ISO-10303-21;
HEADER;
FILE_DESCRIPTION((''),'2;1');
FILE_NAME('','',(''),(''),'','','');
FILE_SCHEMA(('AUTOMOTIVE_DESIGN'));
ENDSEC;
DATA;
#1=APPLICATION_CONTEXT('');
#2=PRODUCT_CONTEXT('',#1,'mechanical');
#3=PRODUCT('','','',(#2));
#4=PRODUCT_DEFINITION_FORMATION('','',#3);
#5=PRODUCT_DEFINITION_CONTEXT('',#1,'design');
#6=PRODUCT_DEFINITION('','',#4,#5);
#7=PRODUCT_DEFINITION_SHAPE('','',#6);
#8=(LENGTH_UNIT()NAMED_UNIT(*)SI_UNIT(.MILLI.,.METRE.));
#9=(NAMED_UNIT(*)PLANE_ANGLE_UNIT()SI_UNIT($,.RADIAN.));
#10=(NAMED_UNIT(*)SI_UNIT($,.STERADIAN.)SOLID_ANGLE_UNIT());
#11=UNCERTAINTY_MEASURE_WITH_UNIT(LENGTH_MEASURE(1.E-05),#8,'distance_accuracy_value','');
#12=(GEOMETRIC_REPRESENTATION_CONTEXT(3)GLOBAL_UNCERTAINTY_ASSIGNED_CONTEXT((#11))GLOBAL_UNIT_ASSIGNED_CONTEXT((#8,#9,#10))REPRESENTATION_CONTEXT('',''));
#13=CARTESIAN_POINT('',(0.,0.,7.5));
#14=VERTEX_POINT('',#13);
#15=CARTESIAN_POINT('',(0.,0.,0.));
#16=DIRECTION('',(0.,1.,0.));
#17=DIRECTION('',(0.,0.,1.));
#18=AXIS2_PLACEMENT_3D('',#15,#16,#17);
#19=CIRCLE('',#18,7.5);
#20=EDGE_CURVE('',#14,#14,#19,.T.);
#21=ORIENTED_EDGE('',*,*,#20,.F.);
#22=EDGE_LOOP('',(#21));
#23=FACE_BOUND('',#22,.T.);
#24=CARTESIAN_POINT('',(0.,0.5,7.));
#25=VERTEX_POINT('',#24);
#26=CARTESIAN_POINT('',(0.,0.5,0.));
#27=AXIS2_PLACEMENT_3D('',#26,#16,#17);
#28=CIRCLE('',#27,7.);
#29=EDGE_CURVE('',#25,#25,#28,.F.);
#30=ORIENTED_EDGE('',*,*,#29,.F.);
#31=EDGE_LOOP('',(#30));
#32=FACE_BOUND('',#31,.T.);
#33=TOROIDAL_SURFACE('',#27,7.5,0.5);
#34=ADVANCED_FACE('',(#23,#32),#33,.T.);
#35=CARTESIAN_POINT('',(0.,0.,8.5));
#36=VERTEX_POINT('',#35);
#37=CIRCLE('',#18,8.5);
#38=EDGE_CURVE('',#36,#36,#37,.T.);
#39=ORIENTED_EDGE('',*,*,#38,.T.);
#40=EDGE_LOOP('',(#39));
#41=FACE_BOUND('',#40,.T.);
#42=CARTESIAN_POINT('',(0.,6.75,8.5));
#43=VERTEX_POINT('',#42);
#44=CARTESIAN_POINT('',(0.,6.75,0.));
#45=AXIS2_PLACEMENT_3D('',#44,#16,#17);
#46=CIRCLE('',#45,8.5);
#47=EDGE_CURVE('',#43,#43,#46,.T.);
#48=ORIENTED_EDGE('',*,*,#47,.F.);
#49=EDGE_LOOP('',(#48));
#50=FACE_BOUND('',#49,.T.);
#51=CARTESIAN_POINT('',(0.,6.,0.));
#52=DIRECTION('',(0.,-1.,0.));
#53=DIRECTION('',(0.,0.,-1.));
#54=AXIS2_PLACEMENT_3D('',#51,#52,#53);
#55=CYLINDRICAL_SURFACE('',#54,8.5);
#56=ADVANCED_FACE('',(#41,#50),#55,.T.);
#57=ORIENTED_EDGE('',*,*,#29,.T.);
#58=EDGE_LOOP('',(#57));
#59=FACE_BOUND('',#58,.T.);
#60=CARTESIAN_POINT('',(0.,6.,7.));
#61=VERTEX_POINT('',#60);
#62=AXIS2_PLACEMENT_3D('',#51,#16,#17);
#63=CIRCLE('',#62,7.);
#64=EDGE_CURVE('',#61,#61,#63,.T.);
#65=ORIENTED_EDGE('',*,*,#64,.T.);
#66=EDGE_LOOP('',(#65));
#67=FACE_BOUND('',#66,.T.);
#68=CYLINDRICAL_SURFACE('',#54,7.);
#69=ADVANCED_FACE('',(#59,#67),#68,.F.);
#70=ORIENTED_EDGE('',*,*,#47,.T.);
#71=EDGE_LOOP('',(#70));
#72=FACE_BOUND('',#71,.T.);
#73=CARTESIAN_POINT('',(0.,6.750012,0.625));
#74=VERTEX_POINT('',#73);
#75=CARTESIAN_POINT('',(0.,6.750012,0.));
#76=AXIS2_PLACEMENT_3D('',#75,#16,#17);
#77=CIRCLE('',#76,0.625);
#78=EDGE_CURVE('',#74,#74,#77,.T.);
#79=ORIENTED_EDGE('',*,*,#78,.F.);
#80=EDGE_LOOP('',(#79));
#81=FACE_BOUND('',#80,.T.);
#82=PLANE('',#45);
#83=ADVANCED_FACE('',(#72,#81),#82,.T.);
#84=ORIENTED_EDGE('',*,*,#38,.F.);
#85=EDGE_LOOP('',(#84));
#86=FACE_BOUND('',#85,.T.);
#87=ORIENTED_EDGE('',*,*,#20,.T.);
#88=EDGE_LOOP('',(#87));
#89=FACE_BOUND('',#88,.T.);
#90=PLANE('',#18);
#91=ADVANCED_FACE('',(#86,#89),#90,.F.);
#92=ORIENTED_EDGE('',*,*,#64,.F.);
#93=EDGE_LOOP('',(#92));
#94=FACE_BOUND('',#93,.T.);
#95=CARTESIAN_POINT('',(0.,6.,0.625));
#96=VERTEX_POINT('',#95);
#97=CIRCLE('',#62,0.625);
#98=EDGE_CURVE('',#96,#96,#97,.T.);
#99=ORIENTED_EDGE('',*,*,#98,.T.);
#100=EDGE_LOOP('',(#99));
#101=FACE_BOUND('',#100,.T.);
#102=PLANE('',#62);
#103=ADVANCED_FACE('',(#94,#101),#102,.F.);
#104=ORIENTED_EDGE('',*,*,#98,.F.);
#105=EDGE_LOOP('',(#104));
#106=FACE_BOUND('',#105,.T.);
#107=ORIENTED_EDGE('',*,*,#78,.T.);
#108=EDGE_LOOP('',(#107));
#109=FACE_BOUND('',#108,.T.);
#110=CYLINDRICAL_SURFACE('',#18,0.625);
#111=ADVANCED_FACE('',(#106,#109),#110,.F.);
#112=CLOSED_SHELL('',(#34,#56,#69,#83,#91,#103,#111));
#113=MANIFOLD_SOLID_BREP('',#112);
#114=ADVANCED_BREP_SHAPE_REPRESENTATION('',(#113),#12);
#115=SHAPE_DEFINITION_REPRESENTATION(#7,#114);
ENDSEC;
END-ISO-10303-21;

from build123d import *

# Parameters (mm, degrees)
SKETCH1_R               = 8.5
SKETCH1_R_2             = 7
BOSS_EXTRUDE1_DEPTH     = 6
SKETCH2_R               = 8.5
BOSS_EXTRUDE2_DEPTH     = 0.75
CUT_EXTRUDE1_DEPTH      = 14.786315679
CUT_EXTRUDE1_DEPTH_BACK = 14.786315679
SKETCH3_R               = 0.625
FILLET1_R               = 0.5


with BuildPart() as part:
    # Sketch1 → Boss-Extrude1 (new body)
    with BuildSketch(Plane(origin=(0, 0, 0), x_dir=(1, 0, 0), z_dir=(0, 1, 0))):
        with Locations(Location((0, 0, 0), (0, 0, 270))):
            Circle(SKETCH1_R)
        with Locations(Location((0, 0, 0), (0, 0, 270))):
            Circle(SKETCH1_R_2, mode=Mode.SUBTRACT)
    extrude(amount=BOSS_EXTRUDE1_DEPTH)

    # Sketch2 → Boss-Extrude2 (add)
    with BuildSketch(Plane(origin=(0, 6, 0), x_dir=(1, 0, 0), z_dir=(0, 1, 0))):
        with Locations(Location((0, 0, 0), (0, 0, 270))):
            Circle(SKETCH2_R)
    extrude(amount=BOSS_EXTRUDE2_DEPTH)

    # Sketch3 → Cut-Extrude1 (cut, two sides: drawn at the far end of the back side and taken through both)
    with BuildSketch(Plane(origin=(0, 6.75, 0), x_dir=(1, 0, 0), z_dir=(0, 1, 0)).offset(-CUT_EXTRUDE1_DEPTH_BACK)):
        with Locations(Location((0, 0, 0), (0, 0, 270))):
            Circle(SKETCH3_R)
    extrude(amount=CUT_EXTRUDE1_DEPTH + CUT_EXTRUDE1_DEPTH_BACK, mode=Mode.SUBTRACT)

    # Fillet1
    fillet1_edges = [part.edges().sort_by_distance(p)[0] for p in [
        (0, 0, -7),
    ]]
    fillet(fillet1_edges, radius=FILLET1_R)


solid = part.part
